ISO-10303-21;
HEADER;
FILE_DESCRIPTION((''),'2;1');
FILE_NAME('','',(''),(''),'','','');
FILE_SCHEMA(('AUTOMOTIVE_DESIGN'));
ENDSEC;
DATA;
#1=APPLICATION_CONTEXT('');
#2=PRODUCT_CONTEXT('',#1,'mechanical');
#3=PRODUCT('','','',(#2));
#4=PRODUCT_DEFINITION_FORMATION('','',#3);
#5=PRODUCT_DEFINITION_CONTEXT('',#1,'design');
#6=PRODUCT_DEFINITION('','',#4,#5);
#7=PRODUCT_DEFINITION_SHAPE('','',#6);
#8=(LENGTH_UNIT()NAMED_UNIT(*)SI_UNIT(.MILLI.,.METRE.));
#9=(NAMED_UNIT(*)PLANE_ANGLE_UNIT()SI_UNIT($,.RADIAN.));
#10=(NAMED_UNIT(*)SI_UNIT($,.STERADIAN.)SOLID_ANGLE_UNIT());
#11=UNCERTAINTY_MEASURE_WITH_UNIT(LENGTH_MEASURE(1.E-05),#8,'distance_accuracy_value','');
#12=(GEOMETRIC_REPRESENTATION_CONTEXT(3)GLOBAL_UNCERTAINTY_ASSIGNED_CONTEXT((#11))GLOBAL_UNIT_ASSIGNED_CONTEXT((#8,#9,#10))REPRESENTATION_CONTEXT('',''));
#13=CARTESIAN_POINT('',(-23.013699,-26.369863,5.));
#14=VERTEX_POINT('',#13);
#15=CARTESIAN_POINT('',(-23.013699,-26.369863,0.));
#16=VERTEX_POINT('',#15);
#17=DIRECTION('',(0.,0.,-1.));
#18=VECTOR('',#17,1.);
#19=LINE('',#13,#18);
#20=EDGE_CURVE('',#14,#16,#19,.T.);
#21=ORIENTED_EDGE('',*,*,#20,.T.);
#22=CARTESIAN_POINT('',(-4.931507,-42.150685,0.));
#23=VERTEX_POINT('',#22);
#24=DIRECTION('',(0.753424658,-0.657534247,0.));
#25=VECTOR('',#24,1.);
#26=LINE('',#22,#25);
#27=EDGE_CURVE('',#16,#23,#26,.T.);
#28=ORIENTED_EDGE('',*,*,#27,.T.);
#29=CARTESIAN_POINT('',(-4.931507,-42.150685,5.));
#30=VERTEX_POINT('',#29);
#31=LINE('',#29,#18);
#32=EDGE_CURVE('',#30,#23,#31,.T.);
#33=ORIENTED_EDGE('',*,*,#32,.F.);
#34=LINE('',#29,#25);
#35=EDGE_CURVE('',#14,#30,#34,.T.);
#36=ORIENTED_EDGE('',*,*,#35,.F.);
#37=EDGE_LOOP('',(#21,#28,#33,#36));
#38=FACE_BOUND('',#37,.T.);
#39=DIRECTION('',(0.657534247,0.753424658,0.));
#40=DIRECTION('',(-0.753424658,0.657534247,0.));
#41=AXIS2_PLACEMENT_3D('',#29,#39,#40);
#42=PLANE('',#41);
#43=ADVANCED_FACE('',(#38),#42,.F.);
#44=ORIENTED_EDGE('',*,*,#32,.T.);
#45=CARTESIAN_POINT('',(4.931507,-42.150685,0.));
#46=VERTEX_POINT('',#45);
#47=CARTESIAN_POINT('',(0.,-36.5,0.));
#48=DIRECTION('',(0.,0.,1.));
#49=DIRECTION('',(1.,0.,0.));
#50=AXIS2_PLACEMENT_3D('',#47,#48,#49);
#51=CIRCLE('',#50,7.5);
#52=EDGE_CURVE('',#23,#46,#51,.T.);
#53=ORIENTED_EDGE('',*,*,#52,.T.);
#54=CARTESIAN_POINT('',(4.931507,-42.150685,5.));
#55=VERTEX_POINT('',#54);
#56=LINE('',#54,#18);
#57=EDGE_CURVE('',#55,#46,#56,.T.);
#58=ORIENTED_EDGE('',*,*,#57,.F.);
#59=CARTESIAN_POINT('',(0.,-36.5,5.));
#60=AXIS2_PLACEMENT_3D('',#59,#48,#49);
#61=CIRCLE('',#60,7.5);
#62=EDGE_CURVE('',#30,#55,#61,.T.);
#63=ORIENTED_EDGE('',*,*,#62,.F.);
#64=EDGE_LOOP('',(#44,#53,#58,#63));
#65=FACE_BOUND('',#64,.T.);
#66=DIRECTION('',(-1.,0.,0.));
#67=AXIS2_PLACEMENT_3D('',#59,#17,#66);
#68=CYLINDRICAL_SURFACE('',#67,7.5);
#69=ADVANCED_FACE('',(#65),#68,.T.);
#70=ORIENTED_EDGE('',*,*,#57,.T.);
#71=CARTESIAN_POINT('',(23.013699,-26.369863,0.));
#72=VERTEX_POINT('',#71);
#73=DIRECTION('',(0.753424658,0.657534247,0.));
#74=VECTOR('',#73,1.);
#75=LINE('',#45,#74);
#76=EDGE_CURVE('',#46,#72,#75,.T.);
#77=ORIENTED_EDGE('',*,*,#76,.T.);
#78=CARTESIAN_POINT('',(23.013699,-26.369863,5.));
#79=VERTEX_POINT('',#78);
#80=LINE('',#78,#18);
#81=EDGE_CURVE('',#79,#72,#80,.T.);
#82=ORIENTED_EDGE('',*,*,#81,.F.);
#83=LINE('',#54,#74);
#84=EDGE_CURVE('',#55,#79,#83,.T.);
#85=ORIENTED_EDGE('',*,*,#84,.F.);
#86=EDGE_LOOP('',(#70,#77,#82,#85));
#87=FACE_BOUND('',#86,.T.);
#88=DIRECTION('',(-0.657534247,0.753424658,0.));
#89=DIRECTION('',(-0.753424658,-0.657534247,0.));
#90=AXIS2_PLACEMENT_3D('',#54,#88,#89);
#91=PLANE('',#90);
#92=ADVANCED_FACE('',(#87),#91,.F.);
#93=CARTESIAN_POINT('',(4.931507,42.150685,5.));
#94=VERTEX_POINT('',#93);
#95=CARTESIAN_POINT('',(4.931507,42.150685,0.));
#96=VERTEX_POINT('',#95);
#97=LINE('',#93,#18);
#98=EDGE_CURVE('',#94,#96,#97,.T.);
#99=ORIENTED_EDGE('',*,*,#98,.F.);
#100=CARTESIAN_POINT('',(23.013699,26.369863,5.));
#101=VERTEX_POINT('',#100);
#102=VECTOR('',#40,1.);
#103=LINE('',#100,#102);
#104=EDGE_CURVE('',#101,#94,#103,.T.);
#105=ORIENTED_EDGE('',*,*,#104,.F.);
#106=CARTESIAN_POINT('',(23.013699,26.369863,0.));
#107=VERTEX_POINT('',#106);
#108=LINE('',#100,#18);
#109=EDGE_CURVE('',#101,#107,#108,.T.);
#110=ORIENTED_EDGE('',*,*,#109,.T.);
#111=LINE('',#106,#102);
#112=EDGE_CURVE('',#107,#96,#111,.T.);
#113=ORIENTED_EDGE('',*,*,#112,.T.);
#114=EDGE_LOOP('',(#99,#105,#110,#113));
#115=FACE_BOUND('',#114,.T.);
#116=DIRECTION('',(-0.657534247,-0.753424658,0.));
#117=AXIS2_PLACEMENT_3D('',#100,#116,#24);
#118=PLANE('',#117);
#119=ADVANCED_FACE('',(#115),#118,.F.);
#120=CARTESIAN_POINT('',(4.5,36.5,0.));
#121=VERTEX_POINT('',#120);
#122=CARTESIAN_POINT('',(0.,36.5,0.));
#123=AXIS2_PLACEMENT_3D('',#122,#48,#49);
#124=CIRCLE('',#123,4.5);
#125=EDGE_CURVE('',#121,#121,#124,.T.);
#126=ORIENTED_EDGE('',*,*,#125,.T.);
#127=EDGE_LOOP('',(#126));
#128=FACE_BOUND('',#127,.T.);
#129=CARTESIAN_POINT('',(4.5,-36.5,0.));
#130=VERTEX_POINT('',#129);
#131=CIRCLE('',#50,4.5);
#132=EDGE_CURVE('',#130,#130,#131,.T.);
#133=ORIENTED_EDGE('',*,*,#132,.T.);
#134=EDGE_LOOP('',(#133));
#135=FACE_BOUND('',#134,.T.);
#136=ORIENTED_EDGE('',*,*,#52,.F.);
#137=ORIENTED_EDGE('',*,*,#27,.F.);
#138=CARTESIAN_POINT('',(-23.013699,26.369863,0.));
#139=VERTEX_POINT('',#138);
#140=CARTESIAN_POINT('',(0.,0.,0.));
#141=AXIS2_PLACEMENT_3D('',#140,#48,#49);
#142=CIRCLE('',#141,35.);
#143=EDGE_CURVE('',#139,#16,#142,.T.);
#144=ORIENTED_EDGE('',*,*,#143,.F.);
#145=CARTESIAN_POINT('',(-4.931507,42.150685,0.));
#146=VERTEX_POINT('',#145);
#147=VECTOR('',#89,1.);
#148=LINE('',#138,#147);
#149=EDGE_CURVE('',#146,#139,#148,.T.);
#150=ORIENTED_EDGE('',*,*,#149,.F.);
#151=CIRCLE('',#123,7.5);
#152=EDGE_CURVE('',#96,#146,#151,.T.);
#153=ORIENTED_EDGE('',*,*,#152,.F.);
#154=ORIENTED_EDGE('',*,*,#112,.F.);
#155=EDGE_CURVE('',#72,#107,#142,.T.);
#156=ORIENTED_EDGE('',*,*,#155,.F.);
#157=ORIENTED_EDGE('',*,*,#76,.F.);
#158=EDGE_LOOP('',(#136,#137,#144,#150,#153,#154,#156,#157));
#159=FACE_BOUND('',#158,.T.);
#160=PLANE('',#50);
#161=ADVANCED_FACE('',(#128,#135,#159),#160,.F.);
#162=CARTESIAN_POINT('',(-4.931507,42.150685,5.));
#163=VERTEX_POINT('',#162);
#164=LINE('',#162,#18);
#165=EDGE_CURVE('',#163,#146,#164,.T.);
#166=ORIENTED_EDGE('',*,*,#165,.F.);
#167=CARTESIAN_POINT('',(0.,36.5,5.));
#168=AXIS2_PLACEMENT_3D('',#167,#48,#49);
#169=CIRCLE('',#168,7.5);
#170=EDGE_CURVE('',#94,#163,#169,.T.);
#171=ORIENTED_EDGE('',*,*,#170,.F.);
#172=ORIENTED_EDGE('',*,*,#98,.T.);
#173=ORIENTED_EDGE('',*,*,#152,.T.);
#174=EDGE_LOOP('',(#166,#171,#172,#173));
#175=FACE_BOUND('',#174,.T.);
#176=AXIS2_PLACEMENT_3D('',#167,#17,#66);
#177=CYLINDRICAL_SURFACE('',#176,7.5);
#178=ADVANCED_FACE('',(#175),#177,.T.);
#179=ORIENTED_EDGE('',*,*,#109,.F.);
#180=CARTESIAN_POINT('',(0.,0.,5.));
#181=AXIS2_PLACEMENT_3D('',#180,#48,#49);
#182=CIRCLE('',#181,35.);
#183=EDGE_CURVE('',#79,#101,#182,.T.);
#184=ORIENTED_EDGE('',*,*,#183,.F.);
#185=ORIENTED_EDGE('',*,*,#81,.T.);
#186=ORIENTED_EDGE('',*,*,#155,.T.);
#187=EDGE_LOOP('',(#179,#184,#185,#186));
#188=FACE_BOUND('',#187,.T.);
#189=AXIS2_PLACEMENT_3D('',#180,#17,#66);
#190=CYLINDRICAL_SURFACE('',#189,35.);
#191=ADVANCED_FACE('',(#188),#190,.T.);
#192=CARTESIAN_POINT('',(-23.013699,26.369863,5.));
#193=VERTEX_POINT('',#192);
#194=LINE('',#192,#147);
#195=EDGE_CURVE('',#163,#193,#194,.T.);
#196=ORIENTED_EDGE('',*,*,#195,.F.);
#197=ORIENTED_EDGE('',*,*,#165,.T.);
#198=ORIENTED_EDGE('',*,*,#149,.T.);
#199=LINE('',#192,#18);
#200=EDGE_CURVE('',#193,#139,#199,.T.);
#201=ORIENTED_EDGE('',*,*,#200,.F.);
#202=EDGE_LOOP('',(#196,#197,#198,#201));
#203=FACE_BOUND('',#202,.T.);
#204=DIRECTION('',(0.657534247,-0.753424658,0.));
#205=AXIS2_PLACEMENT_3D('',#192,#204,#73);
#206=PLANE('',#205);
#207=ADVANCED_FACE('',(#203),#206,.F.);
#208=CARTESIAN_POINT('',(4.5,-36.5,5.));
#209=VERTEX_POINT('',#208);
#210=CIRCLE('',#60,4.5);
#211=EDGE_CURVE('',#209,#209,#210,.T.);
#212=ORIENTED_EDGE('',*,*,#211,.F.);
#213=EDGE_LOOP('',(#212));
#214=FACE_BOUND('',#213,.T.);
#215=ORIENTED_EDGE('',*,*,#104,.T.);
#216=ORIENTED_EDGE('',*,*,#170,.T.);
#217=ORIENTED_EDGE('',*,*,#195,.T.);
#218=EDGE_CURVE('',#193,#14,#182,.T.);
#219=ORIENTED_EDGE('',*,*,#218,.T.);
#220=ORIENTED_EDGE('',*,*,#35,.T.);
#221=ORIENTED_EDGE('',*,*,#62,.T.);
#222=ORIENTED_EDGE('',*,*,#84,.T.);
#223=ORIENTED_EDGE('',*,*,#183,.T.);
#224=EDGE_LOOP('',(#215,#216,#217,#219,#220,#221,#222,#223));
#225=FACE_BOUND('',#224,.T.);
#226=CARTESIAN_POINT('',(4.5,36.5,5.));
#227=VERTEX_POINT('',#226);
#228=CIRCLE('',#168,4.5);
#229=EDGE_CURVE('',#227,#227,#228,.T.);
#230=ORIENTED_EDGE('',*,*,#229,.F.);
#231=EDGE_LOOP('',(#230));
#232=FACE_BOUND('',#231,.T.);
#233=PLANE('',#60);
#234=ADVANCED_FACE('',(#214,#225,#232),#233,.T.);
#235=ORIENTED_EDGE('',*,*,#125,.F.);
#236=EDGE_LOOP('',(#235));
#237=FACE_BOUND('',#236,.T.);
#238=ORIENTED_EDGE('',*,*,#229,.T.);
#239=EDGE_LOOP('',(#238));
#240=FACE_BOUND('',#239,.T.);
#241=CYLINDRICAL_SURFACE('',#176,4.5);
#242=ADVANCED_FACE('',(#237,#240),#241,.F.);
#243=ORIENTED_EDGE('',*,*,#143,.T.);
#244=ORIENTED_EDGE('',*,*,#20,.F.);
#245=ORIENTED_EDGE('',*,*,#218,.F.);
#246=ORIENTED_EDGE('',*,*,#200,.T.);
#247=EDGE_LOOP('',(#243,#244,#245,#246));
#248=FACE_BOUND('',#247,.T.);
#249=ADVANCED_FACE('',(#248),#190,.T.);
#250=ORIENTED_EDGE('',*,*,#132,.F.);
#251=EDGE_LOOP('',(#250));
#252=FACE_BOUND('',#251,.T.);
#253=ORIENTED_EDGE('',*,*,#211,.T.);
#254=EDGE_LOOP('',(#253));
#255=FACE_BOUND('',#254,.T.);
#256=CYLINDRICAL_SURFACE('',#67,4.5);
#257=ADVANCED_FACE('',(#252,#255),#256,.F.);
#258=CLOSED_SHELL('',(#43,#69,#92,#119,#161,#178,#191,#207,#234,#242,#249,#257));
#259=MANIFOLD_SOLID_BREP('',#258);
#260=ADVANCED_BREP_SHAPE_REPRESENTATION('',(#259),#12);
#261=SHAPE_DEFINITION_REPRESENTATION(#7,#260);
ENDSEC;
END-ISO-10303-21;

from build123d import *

# Parameters (mm, degrees)
SKETCH1_R           = 4.5
BOSS_EXTRUDE1_DEPTH = 5


with BuildPart() as part:
    # Sketch1 → Boss-Extrude1 (new body)
    with BuildSketch(Plane.XY):
        with BuildLine():
            Line((-4.931506849, -42.150684932), (-23.01369863, -26.369863014))
            ThreePointArc((-23.01369863, -26.369863014), (-35, 0), (-23.01369863, 26.369863014))
            Line((-23.01369863, 26.369863014), (-4.931506849, 42.150684932))
            ThreePointArc((-4.931506849, 42.150684932), (0, 44), (4.931506849, 42.150684932))
            Line((4.931506849, 42.150684932), (23.01369863, 26.369863014))
            ThreePointArc((23.01369863, 26.369863014), (35, 0), (23.01369863, -26.369863014))
            Line((23.01369863, -26.369863014), (4.931506849, -42.150684932))
            ThreePointArc((4.931506849, -42.150684932), (0, -44), (-4.931506849, -42.150684932))
        make_face()
        with Locations((0, 36.5)):
            Circle(SKETCH1_R, mode=Mode.SUBTRACT)
        with Locations((0, -36.5)):
            Circle(SKETCH1_R, mode=Mode.SUBTRACT)
    extrude(amount=BOSS_EXTRUDE1_DEPTH)


solid = part.part
